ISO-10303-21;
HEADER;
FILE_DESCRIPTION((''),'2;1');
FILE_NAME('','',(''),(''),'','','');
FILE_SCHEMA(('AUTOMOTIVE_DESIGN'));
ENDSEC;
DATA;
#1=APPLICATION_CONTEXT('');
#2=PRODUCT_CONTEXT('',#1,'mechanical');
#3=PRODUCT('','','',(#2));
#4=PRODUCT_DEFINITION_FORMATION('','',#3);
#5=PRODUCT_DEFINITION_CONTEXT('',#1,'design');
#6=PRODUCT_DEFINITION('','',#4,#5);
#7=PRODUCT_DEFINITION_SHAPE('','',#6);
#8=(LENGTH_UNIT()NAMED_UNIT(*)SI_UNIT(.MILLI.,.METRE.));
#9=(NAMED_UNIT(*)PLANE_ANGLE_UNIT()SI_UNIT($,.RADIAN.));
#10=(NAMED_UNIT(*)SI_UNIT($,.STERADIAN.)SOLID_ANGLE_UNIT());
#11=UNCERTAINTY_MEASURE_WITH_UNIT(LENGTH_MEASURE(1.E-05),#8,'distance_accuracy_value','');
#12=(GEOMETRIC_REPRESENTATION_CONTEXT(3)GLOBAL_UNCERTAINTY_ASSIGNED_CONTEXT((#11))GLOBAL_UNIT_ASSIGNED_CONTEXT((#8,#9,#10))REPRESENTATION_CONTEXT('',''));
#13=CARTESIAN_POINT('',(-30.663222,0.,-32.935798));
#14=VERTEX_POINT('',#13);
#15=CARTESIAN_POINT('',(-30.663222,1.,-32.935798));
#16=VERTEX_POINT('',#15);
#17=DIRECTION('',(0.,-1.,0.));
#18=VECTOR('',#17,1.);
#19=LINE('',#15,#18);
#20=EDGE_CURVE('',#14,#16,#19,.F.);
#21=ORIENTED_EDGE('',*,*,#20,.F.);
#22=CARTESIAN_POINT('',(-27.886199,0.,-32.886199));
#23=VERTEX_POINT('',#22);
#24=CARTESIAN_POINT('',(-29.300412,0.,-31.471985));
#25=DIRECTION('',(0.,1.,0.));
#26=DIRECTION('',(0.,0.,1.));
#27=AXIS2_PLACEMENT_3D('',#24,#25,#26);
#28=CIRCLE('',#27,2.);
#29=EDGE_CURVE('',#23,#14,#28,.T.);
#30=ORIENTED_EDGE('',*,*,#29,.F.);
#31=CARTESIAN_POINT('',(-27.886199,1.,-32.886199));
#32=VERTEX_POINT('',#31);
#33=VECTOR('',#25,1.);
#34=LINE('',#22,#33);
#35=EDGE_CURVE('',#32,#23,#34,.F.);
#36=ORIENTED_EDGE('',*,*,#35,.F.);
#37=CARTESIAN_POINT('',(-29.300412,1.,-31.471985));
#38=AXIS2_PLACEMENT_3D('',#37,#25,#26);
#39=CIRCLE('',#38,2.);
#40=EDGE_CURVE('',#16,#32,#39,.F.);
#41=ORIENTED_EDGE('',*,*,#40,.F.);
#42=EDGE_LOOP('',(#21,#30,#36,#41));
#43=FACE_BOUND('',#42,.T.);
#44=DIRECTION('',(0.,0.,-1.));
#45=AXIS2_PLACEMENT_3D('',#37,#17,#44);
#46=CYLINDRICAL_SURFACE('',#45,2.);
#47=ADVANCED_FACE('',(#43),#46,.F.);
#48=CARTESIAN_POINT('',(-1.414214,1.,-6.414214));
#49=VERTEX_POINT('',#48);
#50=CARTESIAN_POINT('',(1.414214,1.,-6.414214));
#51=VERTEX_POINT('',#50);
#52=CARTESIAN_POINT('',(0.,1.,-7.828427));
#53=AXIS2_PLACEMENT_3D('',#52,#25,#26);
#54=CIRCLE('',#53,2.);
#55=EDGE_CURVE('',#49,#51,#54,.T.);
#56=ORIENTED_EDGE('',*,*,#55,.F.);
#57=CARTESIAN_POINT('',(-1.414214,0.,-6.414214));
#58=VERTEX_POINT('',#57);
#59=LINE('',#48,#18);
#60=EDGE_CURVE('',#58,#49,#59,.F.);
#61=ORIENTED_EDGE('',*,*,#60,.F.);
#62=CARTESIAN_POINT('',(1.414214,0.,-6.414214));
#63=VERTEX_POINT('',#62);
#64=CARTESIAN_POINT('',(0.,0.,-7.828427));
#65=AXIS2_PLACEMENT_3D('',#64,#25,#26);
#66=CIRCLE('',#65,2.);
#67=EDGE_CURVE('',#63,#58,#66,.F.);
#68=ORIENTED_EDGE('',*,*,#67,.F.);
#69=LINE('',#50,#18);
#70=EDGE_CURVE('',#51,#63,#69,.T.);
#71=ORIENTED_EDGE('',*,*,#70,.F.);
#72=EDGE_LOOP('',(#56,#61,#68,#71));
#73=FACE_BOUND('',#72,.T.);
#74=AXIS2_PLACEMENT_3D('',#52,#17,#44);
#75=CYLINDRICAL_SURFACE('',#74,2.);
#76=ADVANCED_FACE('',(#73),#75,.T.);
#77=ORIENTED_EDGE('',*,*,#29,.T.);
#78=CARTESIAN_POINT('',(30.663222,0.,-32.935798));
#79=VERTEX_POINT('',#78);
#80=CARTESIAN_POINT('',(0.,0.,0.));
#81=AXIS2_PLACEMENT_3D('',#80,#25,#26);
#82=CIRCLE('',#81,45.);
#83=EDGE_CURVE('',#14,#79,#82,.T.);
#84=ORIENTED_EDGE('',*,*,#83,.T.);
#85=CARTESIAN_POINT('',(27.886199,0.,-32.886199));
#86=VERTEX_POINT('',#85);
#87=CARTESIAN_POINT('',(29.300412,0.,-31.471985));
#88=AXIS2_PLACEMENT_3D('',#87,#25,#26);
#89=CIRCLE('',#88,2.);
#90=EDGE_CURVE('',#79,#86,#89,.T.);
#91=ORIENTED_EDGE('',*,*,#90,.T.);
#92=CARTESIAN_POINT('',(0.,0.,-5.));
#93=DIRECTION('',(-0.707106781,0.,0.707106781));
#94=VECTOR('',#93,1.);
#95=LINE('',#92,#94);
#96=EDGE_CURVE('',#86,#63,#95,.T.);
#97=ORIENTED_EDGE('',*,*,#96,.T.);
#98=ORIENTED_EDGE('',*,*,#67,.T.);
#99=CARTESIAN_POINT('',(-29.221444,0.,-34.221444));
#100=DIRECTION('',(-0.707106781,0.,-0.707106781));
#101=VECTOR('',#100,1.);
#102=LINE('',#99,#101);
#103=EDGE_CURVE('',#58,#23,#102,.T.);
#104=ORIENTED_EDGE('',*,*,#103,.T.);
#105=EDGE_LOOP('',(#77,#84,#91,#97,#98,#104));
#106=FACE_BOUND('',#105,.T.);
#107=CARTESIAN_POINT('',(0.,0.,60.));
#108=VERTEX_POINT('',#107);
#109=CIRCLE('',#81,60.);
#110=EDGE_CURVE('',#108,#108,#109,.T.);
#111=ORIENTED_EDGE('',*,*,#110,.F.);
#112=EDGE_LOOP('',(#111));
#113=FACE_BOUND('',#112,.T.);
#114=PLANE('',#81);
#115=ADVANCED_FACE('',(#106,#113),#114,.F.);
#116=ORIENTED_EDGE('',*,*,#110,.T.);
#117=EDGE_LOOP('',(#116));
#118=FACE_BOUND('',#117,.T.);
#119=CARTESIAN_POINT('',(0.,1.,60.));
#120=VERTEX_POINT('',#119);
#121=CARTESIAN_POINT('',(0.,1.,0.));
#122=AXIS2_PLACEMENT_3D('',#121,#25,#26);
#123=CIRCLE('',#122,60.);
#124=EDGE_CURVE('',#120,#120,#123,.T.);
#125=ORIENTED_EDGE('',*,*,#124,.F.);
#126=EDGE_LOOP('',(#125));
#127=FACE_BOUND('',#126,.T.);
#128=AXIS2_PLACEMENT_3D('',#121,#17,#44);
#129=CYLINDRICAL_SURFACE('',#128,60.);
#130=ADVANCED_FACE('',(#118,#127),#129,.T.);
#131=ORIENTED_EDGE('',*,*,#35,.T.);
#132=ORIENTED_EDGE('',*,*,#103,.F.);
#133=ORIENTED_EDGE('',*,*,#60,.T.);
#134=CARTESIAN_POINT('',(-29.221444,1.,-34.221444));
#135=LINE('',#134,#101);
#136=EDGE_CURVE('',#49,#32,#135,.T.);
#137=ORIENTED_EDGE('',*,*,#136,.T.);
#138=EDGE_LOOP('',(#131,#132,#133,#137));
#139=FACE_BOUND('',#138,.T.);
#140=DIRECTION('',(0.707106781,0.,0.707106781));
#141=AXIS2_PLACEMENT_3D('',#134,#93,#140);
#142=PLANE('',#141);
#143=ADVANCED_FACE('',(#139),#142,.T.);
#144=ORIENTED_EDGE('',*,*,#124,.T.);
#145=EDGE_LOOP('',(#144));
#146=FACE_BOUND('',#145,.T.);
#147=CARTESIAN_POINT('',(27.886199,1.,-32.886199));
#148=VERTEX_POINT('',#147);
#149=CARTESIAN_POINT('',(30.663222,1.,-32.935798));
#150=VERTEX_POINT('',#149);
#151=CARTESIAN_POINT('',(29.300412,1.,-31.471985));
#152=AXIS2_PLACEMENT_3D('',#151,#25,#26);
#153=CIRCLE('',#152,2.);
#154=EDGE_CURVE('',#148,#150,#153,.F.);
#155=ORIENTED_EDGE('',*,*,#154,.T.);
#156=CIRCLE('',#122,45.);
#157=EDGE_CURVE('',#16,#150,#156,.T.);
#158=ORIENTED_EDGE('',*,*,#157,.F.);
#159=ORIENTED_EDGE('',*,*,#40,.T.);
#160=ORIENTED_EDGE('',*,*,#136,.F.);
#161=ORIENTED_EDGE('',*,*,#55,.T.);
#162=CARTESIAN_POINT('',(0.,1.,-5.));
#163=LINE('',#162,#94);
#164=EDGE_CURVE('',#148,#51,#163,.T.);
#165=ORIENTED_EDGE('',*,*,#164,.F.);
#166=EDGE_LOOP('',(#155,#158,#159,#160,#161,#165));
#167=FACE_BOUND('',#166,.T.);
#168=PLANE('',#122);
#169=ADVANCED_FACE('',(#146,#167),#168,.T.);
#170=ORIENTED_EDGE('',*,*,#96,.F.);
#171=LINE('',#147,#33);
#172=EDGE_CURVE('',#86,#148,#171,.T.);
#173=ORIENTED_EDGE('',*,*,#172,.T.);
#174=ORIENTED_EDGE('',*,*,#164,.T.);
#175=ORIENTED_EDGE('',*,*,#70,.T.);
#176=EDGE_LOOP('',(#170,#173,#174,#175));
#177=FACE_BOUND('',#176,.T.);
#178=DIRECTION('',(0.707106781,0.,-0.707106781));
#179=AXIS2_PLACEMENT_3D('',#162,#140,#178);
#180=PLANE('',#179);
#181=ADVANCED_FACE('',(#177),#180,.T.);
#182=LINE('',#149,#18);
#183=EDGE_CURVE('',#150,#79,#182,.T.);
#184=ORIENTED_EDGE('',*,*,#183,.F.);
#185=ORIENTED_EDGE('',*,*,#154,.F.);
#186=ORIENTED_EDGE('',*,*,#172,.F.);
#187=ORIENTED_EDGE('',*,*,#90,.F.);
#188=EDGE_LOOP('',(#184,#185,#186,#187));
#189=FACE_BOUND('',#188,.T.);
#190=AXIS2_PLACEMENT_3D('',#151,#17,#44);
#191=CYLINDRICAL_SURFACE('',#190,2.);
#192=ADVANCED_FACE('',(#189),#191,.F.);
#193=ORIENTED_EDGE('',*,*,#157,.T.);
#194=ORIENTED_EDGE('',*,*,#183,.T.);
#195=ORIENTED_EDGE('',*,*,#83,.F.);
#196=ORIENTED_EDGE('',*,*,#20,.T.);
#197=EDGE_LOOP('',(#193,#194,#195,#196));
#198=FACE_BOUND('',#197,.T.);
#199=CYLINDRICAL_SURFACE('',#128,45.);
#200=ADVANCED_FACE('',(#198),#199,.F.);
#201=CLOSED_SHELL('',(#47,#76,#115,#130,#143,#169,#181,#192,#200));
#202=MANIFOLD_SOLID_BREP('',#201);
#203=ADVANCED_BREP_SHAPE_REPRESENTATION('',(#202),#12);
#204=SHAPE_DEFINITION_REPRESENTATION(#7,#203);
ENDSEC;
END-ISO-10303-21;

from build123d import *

# Parameters (mm, degrees)
SKETCH1_R           = 60
BOSS_EXTRUDE1_DEPTH = 1
FILLET1_R           = 2


with BuildPart() as part:
    # Sketch1 → Boss-Extrude1 (new body)
    with BuildSketch(Plane(origin=(0, 0, 0), x_dir=(1, 0, 0), z_dir=(0, 1, 0))):
        with Locations(Location((0, 0, 0), (0, 0, 270))):
            Circle(SKETCH1_R)
        with BuildLine():
            Line((-29.221443851, 34.221443851), (0, 5))
            Line((0, 5), (29.221443851, 34.221443851))
            ThreePointArc((29.221443851, 34.221443851), (0, -45), (-29.221443851, 34.221443851))
        make_face(mode=Mode.SUBTRACT)
    extrude(amount=BOSS_EXTRUDE1_DEPTH)

    # Fillet1
    fillet1_edges = [part.edges().sort_by_distance(p)[0] for p in [
        (-29.221443851, 0.5, -34.221443851),
        (29.221443851, 0.5, -34.221443851),
        (0, 0.5, -5),
    ]]
    fillet(fillet1_edges, radius=FILLET1_R)


solid = part.part
